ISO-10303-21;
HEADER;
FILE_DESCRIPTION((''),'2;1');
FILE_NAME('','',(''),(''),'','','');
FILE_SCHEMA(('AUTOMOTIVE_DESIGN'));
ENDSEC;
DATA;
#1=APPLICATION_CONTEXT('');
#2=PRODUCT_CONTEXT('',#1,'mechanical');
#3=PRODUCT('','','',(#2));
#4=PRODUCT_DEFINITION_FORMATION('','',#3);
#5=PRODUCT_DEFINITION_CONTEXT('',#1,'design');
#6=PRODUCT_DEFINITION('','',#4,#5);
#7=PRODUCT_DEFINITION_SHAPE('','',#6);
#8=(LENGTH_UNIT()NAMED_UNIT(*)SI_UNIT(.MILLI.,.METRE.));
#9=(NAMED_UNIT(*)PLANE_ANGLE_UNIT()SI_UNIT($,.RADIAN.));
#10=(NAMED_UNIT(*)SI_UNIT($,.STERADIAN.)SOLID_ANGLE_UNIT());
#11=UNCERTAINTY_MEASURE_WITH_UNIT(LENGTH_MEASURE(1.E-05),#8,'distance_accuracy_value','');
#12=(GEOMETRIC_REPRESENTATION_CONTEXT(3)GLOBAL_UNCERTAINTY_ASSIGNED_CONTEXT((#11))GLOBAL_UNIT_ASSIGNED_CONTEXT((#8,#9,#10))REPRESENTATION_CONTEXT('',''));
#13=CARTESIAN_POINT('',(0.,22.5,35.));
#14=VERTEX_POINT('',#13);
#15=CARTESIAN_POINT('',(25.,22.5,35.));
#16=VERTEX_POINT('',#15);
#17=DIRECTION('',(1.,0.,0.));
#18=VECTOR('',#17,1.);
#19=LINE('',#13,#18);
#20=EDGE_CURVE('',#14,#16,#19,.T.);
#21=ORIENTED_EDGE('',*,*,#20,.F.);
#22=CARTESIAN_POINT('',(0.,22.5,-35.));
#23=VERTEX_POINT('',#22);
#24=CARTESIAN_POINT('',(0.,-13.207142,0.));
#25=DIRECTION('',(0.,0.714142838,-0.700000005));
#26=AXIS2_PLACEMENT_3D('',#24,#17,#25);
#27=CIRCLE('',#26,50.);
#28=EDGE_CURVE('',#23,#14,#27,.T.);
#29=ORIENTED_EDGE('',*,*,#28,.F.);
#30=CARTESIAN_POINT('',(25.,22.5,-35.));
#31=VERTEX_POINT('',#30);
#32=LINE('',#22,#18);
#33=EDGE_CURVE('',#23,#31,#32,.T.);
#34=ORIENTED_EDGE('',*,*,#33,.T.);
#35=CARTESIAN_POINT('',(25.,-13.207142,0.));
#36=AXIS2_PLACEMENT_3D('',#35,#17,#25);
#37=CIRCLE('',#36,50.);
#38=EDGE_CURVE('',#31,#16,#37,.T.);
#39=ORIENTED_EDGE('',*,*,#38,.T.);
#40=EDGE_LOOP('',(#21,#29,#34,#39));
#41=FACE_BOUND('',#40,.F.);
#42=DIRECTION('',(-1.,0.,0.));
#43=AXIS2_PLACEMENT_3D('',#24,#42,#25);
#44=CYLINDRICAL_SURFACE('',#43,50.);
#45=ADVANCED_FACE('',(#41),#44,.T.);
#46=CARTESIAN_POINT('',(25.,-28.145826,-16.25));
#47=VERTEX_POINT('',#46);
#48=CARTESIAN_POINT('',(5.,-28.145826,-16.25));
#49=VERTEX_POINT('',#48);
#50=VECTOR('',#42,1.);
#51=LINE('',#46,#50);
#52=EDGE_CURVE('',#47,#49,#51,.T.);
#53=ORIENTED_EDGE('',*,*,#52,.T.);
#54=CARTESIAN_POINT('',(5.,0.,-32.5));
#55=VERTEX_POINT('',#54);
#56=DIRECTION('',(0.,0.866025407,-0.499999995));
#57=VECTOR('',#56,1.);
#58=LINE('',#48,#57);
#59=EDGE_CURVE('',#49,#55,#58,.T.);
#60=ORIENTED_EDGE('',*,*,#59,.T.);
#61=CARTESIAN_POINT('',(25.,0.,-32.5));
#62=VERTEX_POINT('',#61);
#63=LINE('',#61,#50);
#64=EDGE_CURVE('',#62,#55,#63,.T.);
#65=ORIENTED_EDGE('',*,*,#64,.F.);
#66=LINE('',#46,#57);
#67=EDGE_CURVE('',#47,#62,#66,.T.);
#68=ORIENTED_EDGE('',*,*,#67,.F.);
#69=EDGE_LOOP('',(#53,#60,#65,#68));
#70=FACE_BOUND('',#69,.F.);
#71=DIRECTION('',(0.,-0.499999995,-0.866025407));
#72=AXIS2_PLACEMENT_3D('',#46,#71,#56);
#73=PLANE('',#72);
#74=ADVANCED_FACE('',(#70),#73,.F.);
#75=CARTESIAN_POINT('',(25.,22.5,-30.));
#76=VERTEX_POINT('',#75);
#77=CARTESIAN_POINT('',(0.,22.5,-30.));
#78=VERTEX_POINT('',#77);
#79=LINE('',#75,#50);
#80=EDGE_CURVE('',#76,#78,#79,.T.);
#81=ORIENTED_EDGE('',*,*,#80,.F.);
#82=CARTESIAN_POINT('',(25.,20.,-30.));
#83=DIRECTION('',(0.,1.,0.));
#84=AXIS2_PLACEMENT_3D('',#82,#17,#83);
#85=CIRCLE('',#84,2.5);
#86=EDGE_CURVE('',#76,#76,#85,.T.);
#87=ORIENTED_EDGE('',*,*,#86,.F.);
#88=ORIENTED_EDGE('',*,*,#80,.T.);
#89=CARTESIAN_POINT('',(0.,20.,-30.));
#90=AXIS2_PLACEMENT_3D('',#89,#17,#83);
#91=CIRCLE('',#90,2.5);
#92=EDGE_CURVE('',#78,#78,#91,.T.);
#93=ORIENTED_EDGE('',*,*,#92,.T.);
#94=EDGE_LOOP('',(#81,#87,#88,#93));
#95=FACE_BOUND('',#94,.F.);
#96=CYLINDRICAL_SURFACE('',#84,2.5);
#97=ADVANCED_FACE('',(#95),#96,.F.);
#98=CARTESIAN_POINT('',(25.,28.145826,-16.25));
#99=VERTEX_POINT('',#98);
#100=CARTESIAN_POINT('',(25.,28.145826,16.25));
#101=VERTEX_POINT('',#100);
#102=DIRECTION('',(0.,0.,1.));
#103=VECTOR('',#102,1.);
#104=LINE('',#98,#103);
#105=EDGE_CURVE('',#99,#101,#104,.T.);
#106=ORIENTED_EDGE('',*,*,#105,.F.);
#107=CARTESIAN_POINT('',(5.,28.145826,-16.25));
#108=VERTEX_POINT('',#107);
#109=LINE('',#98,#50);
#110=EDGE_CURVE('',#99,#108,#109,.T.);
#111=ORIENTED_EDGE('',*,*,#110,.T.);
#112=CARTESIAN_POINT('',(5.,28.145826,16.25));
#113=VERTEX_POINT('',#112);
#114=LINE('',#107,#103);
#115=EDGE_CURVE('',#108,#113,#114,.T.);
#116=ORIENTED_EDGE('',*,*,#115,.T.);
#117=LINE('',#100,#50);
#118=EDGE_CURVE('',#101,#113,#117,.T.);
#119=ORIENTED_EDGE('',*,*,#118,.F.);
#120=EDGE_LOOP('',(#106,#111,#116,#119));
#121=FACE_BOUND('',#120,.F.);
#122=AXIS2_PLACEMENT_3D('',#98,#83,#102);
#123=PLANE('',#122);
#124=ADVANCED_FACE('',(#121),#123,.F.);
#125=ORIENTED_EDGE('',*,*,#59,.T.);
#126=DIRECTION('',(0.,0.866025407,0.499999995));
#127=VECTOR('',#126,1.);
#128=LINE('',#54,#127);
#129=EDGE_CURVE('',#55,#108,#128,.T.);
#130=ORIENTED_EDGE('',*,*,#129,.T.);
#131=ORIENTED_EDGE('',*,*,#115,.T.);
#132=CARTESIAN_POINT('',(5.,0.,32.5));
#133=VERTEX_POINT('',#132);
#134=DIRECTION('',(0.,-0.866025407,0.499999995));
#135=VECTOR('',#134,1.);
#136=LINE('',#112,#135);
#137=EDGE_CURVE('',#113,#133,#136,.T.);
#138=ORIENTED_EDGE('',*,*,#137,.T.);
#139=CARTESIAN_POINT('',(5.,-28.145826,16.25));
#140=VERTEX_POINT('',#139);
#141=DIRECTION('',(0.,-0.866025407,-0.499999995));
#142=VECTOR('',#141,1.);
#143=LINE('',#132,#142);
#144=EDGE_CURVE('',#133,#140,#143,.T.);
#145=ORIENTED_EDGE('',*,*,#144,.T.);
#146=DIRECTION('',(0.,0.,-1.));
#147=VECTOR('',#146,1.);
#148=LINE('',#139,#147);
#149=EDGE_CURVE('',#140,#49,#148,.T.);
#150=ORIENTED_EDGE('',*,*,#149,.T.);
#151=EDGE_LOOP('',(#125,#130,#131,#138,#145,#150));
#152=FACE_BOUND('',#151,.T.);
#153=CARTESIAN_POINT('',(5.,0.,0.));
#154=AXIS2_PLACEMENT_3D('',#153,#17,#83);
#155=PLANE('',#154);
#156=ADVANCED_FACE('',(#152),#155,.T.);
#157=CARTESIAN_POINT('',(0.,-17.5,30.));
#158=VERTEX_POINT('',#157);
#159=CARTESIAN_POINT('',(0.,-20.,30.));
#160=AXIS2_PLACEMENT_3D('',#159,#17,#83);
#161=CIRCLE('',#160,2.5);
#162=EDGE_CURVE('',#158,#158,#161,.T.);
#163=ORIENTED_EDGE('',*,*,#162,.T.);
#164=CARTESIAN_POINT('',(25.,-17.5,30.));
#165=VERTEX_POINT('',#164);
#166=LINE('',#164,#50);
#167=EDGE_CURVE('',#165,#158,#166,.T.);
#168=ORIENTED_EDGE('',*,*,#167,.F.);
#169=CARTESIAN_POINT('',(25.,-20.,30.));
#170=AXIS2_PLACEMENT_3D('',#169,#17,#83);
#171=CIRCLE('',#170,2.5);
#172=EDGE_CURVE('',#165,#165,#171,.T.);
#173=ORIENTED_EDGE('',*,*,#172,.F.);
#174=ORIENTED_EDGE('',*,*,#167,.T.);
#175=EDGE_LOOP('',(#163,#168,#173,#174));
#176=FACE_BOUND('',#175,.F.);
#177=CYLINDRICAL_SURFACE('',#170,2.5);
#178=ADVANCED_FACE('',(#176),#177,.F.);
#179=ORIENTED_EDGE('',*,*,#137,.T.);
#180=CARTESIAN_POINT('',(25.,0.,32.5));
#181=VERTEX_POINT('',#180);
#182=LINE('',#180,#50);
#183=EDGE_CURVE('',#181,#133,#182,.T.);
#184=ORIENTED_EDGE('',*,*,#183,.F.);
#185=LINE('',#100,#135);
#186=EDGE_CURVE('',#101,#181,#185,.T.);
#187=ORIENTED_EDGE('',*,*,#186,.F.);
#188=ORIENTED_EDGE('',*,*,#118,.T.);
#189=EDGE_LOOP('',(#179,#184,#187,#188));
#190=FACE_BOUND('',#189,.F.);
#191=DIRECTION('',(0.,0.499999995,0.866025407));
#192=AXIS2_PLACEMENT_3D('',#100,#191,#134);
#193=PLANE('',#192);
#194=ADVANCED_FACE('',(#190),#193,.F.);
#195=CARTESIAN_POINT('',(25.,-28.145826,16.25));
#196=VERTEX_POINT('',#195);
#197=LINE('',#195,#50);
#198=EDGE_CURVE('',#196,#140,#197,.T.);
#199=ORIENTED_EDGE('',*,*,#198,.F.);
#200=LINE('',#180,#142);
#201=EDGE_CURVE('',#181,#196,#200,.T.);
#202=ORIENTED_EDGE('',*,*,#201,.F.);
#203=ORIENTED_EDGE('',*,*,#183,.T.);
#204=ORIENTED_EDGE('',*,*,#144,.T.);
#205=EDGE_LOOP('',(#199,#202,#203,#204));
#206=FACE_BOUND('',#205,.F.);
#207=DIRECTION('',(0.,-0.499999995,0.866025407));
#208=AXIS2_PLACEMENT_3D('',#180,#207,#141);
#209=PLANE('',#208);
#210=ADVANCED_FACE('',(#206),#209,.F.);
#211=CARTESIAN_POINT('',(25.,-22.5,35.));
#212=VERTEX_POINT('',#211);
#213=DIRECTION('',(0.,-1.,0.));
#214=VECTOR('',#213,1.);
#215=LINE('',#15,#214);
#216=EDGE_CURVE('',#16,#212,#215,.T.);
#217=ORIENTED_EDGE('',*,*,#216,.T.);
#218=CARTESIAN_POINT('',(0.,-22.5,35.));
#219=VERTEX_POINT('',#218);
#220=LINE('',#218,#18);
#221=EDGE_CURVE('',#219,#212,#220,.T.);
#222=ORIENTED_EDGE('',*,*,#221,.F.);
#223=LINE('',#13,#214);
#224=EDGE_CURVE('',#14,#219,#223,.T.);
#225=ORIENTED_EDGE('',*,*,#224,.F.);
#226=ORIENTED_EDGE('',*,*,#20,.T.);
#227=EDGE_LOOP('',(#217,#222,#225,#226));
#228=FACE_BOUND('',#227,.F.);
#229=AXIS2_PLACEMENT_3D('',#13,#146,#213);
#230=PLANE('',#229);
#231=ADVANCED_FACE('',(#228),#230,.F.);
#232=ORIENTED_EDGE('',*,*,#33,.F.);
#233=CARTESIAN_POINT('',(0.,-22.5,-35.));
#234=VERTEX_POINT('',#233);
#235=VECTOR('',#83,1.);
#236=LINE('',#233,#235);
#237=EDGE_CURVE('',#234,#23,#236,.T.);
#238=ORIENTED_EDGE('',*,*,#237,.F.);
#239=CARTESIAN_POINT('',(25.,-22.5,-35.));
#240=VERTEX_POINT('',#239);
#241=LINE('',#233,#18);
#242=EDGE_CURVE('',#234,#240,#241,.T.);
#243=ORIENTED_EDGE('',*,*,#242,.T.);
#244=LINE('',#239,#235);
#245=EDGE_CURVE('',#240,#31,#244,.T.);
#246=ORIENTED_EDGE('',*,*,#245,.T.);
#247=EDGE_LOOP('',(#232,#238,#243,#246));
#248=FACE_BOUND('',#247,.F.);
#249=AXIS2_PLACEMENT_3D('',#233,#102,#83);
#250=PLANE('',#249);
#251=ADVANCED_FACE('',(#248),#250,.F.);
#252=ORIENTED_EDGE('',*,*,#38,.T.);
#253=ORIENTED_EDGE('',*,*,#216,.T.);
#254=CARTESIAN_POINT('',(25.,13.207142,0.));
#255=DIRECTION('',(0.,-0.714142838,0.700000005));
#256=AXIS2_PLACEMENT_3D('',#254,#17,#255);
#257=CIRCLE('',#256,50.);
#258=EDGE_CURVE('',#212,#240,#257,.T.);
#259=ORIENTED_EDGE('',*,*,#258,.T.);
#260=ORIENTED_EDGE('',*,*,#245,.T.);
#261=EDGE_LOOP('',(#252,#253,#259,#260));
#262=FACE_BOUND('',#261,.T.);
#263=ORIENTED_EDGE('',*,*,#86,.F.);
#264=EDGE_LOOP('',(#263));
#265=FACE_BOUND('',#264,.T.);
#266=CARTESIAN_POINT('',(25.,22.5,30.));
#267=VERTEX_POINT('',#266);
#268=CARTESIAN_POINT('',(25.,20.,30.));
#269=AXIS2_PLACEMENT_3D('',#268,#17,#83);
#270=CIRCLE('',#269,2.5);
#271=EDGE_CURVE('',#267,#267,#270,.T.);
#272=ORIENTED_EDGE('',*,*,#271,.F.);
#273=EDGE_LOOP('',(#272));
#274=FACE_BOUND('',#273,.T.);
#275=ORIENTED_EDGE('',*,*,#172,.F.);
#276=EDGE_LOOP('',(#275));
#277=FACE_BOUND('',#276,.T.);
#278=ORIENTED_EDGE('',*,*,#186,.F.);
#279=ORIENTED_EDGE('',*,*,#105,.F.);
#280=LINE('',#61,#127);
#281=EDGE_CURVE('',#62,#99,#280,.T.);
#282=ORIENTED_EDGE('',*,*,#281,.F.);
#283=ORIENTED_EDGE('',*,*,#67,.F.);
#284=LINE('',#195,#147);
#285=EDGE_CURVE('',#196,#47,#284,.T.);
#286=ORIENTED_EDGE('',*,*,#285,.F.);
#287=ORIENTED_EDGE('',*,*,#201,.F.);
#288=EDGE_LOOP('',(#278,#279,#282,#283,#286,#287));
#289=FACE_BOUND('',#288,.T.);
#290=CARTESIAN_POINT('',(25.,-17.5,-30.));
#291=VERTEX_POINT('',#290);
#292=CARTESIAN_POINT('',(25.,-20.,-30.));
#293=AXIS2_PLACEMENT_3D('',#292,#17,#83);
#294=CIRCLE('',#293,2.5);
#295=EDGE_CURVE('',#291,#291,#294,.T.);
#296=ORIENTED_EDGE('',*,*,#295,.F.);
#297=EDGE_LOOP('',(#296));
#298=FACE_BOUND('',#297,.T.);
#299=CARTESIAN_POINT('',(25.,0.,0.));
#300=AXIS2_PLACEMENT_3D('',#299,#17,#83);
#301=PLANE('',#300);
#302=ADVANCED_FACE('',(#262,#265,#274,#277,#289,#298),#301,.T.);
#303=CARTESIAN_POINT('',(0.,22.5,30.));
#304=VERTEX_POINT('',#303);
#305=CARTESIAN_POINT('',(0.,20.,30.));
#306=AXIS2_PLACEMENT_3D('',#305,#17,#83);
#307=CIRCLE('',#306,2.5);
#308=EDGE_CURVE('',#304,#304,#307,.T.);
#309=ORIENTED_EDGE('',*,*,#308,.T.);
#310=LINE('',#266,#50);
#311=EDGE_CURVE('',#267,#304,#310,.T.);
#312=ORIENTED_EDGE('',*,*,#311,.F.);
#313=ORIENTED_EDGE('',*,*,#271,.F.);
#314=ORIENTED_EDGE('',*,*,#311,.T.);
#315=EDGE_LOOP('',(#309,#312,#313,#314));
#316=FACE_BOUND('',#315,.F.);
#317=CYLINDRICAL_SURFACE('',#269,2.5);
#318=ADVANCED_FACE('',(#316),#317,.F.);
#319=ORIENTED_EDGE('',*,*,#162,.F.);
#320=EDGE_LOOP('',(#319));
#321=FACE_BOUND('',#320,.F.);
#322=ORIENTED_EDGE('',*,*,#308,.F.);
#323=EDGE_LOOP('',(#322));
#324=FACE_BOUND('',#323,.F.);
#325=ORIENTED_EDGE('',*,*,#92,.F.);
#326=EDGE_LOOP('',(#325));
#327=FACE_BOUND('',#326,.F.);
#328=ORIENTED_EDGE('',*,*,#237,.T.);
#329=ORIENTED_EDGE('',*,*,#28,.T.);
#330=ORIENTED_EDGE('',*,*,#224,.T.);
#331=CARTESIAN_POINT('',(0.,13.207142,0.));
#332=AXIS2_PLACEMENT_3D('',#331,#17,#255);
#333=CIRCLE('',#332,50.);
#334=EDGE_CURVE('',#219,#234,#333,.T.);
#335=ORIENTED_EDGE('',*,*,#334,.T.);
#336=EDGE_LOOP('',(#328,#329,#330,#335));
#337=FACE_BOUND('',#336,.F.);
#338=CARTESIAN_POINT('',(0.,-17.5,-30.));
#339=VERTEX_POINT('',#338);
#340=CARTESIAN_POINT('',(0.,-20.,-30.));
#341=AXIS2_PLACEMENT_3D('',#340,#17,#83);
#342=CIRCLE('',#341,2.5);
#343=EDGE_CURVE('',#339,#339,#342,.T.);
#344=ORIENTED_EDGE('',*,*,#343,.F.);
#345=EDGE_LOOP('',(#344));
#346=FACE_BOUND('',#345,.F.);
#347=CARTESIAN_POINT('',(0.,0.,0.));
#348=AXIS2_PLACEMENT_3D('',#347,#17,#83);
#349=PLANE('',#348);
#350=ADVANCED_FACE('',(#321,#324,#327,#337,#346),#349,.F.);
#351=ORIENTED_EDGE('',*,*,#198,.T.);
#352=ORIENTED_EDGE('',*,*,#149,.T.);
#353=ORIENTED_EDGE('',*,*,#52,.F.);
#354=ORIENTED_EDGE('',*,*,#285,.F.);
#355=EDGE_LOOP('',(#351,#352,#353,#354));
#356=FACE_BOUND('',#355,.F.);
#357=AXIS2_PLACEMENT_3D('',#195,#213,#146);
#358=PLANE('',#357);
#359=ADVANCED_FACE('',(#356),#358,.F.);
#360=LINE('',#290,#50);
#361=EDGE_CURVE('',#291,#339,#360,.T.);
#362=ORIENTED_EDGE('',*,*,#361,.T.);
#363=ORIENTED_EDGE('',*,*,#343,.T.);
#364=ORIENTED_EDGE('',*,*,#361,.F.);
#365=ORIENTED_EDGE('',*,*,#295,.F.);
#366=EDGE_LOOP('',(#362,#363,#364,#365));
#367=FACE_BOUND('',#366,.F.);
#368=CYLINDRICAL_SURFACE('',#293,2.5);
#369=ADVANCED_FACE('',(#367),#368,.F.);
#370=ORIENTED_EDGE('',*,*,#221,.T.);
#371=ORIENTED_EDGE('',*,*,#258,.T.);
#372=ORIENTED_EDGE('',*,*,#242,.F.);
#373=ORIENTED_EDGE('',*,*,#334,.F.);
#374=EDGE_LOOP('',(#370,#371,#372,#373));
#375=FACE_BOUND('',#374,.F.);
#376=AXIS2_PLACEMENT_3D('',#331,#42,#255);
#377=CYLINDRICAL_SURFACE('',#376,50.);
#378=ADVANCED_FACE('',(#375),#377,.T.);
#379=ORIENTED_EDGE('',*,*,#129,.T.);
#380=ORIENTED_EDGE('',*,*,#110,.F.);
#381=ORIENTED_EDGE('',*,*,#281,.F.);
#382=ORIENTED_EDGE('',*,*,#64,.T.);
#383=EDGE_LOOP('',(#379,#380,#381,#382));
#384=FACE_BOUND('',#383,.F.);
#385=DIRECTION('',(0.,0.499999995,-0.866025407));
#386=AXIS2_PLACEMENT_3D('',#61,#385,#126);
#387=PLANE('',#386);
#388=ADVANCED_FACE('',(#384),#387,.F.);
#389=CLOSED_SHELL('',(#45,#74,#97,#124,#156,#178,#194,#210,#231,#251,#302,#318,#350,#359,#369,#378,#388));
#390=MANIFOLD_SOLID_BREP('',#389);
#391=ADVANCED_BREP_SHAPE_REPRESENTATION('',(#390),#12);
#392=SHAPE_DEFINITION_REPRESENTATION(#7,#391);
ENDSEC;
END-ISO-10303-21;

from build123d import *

# Parameters (mm, degrees)
F1_DEPTH = 25
F3_DEPTH = 20
F4_R     = 2.5
F5_DEPTH = 25.001


with BuildPart() as f1:
    # F0 (on Right) → F1 (new body)
    with BuildSketch(Plane.YZ):
        with BuildLine():
            Line((-22.5, -35), (22.5, -35))
            ThreePointArc((22.5, -35), (36.792858, 0), (22.5, 35))
            Line((22.5, 35), (-22.5, 35))
            ThreePointArc((-22.5, 35), (-36.792858, 0), (-22.5, -35))
        make_face()
    extrude(amount=F1_DEPTH)

    # F2 (on face) → F3 (cut)
    with BuildSketch(Plane.YZ.offset(25)):
        Polygon((28.145826, -16.25), (28.145826, 16.25), (0, 32.5), (-28.145826, 16.25), (-28.145826, -16.25), (0, -32.5), align=None)
    extrude(amount=-F3_DEPTH, mode=Mode.SUBTRACT)

    # F4 (on face) → F5 (cut, through all)
    with BuildSketch(Plane.YZ.offset(25)):
        with Locations((-20, 30)):
            Circle(F4_R)
        with Locations((20, 30)):
            Circle(F4_R)
        with Locations((20, -30)):
            Circle(F4_R)
        with Locations((-20, -30)):
            Circle(F4_R)
    extrude(amount=-F5_DEPTH, mode=Mode.SUBTRACT)


solid = f1.part
